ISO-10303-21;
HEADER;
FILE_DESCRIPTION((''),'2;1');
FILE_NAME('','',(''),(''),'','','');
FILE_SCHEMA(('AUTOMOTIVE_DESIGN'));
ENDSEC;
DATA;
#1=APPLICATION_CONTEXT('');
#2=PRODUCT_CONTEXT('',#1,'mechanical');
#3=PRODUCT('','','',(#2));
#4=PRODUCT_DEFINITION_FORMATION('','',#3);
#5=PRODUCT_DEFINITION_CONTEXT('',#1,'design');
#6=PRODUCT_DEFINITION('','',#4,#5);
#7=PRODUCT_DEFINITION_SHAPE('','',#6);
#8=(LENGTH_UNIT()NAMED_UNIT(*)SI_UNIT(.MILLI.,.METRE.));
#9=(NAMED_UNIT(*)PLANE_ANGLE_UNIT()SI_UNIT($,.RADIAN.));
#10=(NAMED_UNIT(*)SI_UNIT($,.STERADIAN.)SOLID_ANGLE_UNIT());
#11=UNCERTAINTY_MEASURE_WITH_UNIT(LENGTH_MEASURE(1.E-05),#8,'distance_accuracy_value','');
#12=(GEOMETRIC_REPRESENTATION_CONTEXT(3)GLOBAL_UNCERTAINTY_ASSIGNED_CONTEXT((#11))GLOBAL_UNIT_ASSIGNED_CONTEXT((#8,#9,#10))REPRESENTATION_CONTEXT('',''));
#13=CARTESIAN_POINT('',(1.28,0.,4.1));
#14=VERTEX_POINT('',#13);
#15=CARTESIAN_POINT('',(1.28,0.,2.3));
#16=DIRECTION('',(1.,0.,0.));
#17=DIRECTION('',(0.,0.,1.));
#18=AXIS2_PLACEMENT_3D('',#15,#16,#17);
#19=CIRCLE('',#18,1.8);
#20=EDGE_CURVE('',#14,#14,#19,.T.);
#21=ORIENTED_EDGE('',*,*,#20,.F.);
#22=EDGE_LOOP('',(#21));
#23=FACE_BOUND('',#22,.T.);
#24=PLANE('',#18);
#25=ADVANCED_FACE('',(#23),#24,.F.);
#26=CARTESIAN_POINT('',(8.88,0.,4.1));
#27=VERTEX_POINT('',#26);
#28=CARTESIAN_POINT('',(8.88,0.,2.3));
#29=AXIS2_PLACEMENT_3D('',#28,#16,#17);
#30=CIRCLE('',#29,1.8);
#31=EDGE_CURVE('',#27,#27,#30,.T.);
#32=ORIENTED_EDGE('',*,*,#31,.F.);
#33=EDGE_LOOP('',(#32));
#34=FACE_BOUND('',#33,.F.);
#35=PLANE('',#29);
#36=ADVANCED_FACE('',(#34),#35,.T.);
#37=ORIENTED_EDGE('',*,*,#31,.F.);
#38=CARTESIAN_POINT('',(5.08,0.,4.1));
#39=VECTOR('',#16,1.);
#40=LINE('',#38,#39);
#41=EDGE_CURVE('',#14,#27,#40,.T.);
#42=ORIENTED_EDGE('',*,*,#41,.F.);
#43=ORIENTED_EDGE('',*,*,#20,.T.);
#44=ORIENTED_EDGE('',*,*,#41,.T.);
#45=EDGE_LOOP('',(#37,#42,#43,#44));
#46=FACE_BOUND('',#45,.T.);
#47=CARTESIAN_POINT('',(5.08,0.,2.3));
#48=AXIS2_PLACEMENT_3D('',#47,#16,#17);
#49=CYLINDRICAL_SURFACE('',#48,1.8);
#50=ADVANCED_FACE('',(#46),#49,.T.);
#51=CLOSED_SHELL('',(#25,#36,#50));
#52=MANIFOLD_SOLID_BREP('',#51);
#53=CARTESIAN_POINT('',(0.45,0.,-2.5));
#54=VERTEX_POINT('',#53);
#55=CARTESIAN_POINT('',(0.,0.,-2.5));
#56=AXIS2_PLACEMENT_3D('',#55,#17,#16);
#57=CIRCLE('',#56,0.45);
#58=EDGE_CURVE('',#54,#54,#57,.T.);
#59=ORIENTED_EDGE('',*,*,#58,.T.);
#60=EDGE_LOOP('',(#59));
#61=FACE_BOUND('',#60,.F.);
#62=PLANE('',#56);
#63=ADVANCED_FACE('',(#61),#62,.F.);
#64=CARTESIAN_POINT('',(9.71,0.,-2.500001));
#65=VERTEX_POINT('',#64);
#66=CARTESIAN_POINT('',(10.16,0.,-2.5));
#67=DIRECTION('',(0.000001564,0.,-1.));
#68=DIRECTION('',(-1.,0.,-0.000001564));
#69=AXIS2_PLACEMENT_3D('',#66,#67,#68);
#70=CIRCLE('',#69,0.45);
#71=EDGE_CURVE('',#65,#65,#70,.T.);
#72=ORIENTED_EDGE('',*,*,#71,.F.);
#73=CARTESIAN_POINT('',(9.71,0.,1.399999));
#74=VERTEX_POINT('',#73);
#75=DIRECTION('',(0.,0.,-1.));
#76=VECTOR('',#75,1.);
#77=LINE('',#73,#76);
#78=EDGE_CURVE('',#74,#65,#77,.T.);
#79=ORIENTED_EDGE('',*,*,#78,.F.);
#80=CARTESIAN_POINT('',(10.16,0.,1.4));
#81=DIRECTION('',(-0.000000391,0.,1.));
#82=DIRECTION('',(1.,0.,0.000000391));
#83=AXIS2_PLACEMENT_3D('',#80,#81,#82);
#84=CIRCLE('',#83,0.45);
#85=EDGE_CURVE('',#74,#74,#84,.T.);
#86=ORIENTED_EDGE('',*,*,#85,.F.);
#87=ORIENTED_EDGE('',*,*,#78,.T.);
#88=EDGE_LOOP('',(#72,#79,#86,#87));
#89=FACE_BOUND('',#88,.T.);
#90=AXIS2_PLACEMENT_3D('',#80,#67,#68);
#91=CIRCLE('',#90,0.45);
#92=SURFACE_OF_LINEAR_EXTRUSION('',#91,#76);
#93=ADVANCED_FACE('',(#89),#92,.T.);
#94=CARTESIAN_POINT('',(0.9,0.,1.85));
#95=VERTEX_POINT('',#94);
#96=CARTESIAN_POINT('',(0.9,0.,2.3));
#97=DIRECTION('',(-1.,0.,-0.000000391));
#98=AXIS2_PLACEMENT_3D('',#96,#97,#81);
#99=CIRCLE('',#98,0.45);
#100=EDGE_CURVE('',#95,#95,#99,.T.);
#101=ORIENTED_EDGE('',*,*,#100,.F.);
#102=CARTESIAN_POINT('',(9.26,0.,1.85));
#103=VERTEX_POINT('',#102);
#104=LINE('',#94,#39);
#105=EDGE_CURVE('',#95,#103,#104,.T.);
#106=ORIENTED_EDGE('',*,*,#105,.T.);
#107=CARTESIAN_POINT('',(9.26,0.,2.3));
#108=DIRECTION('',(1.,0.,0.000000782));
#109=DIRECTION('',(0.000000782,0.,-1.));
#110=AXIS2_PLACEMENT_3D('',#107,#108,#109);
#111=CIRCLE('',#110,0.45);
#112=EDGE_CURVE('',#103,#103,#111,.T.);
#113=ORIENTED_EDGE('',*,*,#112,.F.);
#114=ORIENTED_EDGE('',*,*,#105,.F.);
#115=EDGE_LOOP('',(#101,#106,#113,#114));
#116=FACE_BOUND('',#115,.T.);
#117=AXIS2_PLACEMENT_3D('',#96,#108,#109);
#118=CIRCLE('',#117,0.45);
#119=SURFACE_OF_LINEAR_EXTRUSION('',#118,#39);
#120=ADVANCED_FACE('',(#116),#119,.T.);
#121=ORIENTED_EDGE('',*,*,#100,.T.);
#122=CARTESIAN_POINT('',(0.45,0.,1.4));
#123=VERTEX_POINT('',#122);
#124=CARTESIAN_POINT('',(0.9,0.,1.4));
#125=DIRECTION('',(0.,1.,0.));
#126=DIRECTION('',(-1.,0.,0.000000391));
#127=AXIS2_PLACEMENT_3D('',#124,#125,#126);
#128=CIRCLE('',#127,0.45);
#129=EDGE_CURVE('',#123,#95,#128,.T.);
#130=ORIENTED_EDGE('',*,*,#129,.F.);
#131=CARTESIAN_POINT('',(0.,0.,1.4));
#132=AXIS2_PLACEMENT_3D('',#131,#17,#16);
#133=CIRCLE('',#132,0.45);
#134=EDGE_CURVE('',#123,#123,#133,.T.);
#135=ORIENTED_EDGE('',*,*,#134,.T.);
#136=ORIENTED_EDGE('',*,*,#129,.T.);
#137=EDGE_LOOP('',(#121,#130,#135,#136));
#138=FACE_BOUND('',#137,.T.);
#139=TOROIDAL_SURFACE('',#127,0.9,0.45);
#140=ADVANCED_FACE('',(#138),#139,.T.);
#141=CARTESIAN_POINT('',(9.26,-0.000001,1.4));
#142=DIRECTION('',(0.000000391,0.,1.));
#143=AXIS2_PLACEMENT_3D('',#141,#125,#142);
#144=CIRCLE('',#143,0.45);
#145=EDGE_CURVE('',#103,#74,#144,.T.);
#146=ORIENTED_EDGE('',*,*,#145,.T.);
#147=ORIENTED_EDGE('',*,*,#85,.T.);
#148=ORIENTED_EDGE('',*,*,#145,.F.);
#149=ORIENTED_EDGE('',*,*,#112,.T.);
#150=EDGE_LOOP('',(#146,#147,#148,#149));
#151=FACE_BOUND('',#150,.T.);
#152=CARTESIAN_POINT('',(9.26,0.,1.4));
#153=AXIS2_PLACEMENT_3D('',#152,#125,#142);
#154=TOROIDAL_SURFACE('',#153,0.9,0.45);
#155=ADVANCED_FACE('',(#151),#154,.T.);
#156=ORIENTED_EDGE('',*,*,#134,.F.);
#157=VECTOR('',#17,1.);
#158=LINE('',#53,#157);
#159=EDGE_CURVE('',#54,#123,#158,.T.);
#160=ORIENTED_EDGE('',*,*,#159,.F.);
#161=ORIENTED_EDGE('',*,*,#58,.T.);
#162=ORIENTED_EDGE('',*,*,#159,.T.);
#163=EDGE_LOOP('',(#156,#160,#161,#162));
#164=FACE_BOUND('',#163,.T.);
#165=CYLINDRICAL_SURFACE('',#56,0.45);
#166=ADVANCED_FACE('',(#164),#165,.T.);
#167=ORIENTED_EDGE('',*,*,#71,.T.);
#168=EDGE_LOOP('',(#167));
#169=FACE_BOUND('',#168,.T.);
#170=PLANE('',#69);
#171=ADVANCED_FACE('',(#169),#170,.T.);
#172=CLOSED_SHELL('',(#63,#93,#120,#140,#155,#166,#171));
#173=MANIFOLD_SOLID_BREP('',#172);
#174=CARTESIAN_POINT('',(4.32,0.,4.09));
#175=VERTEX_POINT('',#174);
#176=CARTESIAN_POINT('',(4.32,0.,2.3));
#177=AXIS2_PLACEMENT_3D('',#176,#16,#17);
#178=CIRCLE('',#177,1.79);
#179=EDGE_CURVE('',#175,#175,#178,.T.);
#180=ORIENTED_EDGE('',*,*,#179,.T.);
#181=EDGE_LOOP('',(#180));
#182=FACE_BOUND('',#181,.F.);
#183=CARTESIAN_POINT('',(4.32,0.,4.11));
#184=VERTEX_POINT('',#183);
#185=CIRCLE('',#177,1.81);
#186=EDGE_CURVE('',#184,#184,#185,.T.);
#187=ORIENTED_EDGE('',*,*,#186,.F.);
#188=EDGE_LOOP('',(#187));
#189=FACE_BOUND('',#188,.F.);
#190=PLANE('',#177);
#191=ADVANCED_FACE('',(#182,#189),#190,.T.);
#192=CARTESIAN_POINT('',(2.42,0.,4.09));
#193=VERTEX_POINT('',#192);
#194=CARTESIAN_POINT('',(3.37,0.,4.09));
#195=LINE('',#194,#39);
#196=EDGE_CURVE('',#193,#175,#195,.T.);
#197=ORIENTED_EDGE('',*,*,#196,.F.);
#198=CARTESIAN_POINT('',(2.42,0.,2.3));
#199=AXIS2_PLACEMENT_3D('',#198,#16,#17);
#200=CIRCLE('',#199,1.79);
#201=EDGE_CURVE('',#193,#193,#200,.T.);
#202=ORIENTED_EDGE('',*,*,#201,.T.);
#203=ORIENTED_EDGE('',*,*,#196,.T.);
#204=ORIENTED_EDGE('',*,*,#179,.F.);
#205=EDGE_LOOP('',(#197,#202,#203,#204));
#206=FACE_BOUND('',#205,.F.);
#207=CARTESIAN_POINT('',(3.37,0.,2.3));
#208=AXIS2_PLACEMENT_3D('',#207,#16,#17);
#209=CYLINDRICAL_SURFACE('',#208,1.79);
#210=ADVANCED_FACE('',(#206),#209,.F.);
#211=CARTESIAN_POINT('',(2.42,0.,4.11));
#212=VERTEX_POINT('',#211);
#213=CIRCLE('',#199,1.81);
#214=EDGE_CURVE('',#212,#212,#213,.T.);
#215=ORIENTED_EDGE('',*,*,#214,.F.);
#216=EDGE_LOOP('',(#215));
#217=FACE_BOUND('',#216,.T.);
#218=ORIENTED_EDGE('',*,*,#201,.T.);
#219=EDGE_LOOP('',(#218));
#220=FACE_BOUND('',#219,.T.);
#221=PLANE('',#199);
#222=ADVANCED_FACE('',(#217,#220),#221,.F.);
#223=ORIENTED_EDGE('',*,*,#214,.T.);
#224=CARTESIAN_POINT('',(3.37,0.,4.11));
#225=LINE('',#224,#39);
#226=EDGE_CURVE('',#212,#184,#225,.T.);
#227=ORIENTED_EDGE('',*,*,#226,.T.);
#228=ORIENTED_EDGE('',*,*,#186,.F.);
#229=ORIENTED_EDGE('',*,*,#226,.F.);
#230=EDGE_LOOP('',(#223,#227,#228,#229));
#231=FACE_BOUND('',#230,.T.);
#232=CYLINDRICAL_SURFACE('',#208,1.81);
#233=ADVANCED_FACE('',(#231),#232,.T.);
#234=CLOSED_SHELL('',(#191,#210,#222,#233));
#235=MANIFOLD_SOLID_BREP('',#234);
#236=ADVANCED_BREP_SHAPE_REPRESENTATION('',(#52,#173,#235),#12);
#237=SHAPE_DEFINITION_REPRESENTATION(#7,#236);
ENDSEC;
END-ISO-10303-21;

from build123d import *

# Parameters (mm, degrees)
SKETCH002_W = 7.6
SKETCH002_H = 1.8
SKETCH003_W = 1.9
SKETCH003_H = 0.02
SKETCH_R    = 0.45


with BuildPart() as revolution:
    # Sketch002 → Revolution (revolve)
    with BuildSketch(Plane.XZ):
        with Locations((5.08, 3.2)):
            Rectangle(SKETCH002_W, SKETCH002_H)
    revolve(axis=Axis((1.28, 0, 2.3), (1, 0, 0)))


with BuildPart() as revolution001:
    # Sketch003 → Revolution001 (revolve)
    with BuildSketch(Plane.XZ):
        with Locations((3.37, 4.1)):
            Rectangle(SKETCH003_W, SKETCH003_H)
    revolve(axis=Axis((0, 0, 2.3), (1, 0, 0)))


with BuildPart() as sweep_body:
    # Sweep: sweep along a path in Sketch001
    with BuildLine(Plane.XZ) as sweep_path:
        Line((0, -2.5), (0, 1.4))
        ThreePointArc((0, 1.4), (0.263604, 2.036396), (0.9, 2.3))
        Line((0.9, 2.3), (9.26, 2.3))
        ThreePointArc((9.26, 2.3), (9.896396, 2.036396), (10.16, 1.4))
        Line((10.16, 1.4), (10.16, -2.5))
    # Sketch → Sweep (sweep)
    with BuildSketch(Plane.XY.offset(-2)):
        Circle(SKETCH_R)
    sweep(path=sweep_path.line)


solid = Compound([revolution.part, revolution001.part, sweep_body.part])
